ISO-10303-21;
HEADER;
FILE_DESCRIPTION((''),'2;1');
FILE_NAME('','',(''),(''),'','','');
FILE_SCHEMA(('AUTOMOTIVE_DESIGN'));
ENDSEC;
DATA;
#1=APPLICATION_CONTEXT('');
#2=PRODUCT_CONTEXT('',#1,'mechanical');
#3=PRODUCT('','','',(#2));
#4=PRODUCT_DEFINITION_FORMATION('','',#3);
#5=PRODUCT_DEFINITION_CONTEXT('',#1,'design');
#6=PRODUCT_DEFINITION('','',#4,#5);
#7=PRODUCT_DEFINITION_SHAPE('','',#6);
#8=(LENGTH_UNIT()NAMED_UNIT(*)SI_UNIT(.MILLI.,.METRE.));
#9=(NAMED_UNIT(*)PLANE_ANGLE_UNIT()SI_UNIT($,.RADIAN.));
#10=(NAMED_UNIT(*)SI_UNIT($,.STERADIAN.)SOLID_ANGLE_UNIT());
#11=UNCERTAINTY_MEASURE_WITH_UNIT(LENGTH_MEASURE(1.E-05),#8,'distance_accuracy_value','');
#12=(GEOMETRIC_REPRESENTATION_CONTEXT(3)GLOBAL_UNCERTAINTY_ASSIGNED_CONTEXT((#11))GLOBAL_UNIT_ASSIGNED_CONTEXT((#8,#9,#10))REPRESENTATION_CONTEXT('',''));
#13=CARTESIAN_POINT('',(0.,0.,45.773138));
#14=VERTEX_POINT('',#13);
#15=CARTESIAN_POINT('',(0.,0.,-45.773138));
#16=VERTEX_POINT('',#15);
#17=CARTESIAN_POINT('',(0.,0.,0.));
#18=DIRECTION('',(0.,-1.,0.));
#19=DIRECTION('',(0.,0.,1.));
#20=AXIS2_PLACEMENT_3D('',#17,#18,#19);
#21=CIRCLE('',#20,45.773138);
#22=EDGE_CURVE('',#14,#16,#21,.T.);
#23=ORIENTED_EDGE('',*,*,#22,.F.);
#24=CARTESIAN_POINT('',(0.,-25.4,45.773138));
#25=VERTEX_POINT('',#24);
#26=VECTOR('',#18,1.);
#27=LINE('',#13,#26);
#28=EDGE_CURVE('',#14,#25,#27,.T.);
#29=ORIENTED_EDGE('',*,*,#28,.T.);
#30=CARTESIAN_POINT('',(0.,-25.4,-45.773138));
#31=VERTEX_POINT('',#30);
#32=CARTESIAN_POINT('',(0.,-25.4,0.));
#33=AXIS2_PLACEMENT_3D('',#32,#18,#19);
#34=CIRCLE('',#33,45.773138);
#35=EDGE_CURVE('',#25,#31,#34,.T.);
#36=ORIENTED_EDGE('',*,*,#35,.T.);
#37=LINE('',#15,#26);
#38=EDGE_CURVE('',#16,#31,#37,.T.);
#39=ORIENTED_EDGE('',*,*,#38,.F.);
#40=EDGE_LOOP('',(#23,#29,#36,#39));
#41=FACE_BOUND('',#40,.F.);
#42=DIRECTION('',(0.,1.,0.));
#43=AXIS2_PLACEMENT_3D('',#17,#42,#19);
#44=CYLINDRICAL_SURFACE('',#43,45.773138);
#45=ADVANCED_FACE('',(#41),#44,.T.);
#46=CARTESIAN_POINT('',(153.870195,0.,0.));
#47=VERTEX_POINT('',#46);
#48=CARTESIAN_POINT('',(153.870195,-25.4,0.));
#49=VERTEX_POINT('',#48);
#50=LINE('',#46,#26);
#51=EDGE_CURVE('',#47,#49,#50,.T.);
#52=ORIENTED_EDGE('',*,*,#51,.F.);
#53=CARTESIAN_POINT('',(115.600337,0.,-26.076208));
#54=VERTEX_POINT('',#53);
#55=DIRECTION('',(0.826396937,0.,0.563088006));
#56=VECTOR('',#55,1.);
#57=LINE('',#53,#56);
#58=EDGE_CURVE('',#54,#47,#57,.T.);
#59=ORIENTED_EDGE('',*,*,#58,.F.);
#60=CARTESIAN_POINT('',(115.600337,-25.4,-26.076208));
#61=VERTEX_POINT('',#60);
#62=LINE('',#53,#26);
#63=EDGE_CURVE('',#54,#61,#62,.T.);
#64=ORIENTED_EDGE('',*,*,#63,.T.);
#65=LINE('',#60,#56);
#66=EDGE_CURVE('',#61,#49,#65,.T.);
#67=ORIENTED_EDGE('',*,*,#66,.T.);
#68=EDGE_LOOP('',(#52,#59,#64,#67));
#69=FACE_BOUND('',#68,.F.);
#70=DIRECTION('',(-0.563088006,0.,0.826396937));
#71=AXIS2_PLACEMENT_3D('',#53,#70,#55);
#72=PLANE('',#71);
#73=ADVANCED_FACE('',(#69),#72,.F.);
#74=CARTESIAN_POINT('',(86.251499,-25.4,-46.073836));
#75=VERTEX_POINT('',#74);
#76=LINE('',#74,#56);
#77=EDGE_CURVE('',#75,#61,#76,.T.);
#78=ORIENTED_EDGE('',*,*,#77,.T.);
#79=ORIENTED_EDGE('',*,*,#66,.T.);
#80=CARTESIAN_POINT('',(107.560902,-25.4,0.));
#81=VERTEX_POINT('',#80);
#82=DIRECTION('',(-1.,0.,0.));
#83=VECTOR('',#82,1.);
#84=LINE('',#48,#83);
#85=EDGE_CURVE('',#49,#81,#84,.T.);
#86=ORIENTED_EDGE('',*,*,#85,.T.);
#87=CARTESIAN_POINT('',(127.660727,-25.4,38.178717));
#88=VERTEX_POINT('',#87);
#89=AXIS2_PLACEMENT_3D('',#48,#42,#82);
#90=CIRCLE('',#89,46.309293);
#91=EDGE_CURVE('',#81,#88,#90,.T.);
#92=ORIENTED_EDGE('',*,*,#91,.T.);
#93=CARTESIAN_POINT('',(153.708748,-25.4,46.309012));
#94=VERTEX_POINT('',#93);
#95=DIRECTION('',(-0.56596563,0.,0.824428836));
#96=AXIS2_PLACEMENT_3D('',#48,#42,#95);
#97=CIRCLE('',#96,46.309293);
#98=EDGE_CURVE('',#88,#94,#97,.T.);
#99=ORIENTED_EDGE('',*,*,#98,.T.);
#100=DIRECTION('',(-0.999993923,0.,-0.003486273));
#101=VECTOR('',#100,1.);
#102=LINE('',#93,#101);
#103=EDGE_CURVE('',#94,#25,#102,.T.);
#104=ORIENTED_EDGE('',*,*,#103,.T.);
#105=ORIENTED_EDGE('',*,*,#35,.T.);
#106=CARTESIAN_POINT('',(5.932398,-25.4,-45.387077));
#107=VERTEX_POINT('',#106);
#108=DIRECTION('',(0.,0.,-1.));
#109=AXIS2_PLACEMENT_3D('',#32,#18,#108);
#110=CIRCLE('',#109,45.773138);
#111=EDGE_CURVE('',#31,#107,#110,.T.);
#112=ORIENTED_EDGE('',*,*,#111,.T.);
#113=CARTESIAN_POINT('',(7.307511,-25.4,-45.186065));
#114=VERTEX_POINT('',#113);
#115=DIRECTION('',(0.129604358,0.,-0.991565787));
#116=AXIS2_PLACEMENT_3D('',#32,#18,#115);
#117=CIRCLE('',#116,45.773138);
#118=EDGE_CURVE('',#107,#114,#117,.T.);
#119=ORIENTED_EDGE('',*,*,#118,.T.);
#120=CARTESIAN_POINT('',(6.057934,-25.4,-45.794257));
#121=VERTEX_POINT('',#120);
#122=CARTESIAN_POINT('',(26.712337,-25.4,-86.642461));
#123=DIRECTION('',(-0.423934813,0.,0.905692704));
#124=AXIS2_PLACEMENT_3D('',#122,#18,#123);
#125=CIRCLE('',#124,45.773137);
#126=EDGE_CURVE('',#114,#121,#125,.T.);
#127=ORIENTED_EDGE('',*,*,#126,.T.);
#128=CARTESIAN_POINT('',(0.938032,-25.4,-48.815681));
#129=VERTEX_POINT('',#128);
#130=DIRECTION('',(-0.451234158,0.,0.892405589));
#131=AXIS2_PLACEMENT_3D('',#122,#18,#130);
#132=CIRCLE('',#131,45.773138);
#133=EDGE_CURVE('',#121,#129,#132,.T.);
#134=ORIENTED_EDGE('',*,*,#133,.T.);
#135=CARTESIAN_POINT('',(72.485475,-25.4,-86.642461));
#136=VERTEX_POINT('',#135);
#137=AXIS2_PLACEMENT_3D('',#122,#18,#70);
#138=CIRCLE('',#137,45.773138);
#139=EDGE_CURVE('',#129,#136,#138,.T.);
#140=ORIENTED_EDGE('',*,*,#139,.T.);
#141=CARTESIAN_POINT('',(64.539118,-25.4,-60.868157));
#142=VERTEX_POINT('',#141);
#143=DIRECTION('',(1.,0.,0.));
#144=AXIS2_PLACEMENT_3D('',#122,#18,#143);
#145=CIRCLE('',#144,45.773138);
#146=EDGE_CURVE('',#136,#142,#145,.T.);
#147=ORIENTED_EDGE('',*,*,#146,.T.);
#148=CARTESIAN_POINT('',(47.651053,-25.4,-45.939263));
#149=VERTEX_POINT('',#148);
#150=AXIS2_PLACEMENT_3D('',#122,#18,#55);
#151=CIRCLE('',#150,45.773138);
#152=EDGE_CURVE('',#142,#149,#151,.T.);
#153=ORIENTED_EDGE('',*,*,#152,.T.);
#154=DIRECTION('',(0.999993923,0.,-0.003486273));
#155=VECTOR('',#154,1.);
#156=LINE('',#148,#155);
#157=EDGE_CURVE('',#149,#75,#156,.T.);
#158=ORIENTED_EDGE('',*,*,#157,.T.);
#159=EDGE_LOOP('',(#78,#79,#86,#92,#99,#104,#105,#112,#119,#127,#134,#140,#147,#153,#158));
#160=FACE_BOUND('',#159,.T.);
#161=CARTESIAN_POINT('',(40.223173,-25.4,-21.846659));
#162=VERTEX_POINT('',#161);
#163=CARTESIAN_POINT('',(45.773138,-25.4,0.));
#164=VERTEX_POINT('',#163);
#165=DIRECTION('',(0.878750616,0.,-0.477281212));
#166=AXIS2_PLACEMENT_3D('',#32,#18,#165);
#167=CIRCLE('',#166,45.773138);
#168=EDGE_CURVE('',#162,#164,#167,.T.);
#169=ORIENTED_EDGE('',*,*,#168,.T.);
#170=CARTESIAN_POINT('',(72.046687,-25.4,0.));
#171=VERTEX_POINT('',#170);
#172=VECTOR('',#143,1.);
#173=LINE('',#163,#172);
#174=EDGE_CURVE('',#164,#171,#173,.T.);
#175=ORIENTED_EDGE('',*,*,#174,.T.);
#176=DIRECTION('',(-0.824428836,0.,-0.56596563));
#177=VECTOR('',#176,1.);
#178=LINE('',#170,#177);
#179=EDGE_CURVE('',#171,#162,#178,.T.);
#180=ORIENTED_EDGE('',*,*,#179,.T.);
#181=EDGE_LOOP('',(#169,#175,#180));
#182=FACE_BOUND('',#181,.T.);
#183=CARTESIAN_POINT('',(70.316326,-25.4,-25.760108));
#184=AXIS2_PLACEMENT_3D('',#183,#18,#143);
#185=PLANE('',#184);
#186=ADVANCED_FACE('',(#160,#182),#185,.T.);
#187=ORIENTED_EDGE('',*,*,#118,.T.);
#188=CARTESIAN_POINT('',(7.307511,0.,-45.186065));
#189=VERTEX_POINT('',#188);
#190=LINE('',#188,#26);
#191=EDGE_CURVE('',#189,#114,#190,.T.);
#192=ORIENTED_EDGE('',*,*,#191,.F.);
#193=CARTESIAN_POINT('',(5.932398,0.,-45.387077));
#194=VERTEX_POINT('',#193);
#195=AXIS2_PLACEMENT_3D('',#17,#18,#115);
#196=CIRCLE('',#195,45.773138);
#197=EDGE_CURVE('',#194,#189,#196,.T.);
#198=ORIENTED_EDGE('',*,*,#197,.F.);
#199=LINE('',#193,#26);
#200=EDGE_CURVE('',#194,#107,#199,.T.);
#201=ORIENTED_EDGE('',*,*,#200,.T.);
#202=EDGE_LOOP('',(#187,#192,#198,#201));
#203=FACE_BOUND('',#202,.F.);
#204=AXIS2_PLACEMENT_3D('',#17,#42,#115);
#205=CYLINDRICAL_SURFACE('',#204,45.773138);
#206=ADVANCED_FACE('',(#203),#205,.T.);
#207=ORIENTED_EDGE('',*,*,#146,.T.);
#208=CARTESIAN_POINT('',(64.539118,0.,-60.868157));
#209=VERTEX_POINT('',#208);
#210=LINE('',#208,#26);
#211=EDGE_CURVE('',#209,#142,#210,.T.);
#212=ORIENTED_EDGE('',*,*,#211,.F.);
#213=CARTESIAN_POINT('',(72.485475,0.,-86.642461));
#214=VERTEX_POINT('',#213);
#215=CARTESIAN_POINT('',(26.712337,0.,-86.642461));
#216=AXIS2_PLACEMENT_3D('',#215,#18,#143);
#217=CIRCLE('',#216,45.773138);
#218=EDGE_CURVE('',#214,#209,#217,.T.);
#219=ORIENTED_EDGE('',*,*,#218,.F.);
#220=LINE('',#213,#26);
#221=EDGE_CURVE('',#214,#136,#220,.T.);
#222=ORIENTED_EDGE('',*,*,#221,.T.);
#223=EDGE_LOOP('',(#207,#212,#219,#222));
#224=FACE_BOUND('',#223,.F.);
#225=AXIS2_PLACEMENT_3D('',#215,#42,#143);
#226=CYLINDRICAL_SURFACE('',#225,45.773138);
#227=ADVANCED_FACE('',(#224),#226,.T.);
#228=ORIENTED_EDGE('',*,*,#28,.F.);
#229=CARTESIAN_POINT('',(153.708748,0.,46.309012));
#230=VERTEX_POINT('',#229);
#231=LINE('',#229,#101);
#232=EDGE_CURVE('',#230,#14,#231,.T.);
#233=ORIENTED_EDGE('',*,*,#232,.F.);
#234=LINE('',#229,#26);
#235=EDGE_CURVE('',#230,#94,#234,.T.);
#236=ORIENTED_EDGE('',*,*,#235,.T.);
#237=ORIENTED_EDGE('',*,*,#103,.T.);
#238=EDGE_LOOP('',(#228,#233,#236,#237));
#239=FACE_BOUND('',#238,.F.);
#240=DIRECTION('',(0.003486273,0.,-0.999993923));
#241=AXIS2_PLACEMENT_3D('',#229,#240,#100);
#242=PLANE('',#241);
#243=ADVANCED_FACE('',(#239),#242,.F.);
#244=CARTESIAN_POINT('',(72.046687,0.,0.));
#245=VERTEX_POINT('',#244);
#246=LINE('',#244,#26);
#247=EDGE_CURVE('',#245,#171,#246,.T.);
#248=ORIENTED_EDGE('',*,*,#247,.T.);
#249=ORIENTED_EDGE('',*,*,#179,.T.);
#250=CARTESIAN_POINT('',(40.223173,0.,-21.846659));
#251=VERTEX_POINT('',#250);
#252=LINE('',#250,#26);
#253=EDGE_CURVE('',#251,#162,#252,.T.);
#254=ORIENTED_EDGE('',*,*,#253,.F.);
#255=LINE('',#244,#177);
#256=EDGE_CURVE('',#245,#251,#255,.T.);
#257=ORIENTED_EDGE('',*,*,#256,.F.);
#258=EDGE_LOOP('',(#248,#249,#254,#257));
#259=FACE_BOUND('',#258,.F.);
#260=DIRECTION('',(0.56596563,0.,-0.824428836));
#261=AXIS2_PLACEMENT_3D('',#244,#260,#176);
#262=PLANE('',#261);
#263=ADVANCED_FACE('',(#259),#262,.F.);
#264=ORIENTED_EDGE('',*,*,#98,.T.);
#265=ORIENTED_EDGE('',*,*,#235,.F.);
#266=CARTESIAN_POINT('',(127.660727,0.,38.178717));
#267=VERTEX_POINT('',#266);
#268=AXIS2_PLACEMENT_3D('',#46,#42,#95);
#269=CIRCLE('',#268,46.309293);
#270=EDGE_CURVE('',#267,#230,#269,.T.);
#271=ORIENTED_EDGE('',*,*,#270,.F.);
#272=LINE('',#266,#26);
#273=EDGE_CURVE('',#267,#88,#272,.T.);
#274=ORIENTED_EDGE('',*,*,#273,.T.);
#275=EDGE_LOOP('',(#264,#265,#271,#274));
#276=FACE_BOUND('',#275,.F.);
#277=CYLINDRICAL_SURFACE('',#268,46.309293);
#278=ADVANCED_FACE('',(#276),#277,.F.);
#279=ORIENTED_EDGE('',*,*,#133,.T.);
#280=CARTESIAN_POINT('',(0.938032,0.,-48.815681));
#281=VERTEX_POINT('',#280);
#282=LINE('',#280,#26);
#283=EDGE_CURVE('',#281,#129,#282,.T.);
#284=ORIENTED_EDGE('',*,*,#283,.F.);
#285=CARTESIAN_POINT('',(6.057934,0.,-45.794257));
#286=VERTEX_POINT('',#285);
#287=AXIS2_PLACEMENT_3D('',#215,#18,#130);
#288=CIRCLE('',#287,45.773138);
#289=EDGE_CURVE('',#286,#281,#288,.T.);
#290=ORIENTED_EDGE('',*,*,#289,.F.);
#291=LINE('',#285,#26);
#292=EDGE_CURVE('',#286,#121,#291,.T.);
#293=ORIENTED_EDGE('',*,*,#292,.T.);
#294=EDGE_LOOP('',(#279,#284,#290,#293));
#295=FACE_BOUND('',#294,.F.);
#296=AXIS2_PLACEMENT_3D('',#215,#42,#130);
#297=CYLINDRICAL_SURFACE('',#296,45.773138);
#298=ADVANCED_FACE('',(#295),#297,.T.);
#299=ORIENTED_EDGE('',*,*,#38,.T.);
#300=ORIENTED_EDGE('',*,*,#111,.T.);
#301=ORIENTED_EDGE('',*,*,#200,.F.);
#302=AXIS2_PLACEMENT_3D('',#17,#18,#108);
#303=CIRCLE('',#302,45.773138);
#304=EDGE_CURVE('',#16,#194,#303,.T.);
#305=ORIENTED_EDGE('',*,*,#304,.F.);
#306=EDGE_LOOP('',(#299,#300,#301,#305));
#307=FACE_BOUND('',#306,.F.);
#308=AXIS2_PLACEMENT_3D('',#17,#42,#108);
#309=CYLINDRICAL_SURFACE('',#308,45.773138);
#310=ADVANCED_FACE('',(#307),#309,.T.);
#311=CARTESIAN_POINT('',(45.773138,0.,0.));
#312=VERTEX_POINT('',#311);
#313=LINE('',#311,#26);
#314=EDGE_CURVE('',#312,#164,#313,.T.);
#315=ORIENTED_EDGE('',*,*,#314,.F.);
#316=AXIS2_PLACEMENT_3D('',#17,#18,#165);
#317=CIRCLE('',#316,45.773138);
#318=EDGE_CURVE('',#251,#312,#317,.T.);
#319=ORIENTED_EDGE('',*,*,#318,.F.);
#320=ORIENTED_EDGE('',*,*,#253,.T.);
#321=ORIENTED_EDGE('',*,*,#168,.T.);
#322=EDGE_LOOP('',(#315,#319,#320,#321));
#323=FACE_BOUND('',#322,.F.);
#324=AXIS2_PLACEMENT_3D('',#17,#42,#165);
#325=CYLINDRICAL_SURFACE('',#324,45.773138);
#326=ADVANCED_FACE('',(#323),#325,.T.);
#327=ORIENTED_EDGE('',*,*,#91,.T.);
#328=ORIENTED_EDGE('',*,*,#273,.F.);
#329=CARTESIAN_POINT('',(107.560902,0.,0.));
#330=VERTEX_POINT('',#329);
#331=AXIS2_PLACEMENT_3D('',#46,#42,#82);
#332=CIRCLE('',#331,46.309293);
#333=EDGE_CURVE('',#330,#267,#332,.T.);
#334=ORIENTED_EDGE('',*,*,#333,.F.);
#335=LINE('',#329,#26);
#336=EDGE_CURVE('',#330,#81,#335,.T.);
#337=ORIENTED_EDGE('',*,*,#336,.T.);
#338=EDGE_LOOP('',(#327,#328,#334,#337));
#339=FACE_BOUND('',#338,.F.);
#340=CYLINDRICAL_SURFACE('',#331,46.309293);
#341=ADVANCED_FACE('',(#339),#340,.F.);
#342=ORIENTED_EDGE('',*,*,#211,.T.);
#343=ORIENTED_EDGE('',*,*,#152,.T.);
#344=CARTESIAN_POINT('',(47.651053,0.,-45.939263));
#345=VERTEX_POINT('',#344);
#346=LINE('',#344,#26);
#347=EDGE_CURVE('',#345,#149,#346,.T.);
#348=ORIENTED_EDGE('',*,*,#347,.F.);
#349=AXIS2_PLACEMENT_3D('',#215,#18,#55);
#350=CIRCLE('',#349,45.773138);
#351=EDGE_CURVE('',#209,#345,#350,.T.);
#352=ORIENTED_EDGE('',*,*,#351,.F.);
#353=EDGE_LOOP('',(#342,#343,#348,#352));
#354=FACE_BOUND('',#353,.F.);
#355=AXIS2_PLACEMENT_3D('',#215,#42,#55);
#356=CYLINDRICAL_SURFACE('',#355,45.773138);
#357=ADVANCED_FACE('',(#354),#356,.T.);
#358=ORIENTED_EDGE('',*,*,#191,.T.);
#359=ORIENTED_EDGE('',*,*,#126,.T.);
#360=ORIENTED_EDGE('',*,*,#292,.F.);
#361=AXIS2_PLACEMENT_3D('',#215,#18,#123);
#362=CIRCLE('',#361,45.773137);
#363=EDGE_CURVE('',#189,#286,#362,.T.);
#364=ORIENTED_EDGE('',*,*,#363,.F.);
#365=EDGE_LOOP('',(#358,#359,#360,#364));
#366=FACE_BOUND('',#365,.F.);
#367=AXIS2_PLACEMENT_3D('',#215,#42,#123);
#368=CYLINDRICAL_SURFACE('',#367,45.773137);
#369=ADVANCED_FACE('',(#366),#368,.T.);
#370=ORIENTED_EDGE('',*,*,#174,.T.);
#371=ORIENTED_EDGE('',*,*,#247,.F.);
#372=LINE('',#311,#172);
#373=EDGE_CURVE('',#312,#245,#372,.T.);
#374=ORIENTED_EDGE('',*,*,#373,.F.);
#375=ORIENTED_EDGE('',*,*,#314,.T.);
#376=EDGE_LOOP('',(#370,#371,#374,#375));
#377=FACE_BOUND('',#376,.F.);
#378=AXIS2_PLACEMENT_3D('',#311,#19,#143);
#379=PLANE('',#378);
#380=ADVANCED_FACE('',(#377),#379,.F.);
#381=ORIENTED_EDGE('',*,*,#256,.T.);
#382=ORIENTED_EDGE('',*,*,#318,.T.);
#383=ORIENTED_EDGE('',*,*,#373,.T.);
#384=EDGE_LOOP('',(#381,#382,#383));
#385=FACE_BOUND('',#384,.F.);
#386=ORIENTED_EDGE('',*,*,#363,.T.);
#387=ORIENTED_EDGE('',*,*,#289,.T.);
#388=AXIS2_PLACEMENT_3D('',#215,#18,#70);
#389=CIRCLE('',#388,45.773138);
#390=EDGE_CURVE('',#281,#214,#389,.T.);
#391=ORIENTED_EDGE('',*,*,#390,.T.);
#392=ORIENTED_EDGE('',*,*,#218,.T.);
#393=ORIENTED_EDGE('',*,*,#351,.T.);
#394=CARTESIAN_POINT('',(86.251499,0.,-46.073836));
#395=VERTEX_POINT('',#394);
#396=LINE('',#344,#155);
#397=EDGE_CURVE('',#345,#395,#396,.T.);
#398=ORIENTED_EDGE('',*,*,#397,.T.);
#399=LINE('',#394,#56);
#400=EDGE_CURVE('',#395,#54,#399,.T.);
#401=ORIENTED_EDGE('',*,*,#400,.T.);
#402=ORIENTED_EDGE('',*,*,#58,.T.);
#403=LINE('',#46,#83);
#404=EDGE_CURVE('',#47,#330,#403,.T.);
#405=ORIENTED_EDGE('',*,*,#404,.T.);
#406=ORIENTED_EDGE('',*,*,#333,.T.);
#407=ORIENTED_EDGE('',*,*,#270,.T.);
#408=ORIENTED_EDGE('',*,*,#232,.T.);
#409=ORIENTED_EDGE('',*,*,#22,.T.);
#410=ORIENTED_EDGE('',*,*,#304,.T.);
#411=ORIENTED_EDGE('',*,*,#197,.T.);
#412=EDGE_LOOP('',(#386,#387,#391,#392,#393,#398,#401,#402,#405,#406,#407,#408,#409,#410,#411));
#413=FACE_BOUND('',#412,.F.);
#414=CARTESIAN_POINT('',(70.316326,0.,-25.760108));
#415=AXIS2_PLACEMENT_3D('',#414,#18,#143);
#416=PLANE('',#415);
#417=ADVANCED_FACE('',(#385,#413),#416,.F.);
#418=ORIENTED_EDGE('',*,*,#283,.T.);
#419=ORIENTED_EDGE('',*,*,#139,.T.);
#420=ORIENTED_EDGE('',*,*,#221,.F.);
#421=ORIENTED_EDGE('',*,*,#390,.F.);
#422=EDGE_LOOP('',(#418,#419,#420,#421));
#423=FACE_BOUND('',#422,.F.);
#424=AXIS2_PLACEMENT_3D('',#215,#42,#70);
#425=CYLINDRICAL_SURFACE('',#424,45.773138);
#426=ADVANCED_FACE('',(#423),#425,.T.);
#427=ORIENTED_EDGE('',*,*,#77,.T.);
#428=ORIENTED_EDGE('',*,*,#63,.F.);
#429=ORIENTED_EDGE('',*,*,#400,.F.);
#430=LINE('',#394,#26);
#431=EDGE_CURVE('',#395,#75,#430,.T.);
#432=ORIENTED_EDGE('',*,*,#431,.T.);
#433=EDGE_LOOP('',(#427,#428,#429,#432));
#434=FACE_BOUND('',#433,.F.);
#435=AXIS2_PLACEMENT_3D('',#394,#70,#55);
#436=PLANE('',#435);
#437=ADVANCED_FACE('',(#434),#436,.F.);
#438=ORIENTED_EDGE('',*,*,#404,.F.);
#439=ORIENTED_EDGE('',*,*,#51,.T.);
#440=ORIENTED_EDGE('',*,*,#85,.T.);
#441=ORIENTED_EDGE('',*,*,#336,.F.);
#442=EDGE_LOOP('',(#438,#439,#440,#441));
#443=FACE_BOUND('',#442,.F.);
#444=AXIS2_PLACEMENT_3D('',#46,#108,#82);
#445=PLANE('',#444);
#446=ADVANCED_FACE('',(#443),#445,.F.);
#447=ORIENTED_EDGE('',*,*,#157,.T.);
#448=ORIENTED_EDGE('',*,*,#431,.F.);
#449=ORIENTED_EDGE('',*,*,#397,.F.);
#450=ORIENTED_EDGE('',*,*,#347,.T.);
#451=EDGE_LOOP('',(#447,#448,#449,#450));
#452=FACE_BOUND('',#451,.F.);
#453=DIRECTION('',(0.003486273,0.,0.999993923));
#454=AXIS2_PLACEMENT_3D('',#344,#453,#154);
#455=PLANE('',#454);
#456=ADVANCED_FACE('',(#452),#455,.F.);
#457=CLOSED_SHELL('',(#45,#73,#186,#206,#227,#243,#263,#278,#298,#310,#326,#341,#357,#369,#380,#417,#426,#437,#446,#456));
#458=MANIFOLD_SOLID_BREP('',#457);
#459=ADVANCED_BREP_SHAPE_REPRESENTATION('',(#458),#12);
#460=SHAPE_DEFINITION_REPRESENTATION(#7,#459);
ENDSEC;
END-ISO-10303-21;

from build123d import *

# Parameters (mm, degrees)
F1_DEPTH = 25.4


with BuildPart() as f1:
    # F0 (on Front) → F1 (new body)
    with BuildSketch(Plane.XZ):
        with BuildLine():
            Line((72.0466873491, 0), (40.2231729678, -21.8466586519))
            ThreePointArc((40.2231729678, -21.8466586519), (31.3848696272, -33.3192151219), (19.4048266012, -41.4563968819))
            ThreePointArc((19.4048266012, -41.4563968819), (33.8870469148, -41.4351204215), (47.6510526714, -45.9392633402))
            Line((47.6510526714, -45.9392633402), (86.2514989391, -46.0738358679))
            Line((86.2514989391, -46.0738358679), (115.6003371528, -26.0762075411))
            ThreePointArc((115.6003371528, -26.0762075411), (109.6163777827, -13.6436900901), (107.560902013, 0))
            Line((107.560902013, 0), (72.0466873491, 0))
        make_face()
        with BuildLine():
            Line((127.6607268874, 38.1787166397), (72.0466873491, 0))
            Line((72.0466873491, 0), (107.560902013, 0))
            ThreePointArc((107.560902013, 0), (112.8928076077, 21.5732320494), (127.6607268874, 38.1787166397))
        make_face()
        with BuildLine():
            ThreePointArc((47.6510526714, -45.9392633402), (33.8870469148, -41.4351204215), (19.4048266012, -41.4563968819))
            ThreePointArc((19.4048266012, -41.4563968819), (13.4857274503, -43.7414596577), (7.3075106005, -45.1860645185))
            ThreePointArc((7.3075106005, -45.1860645185), (6.6804139573, -45.4854183946), (6.0579339451, -45.7942574747))
            Line((6.0579339451, -45.7942574747), (47.6510526714, -45.9392633402))
        make_face()
        with BuildLine():
            ThreePointArc((64.5391180148, -60.8681565374), (57.0284030969, -52.3479095519), (47.6510526714, -45.9392633402))
            Line((47.6510526714, -45.9392633402), (6.0579339451, -45.7942574747))
            ThreePointArc((6.0579339451, -45.7942574747), (3.4488790791, -47.2217605692), (0.9380323387, -48.8156805874))
            ThreePointArc((0.9380323387, -48.8156805874), (-11.1144436113, -112.4167662635), (52.4866420648, -124.4692422135))
            ThreePointArc((52.4866420648, -124.4692422135), (67.1780692741, -108.036494814), (72.4854749339, -86.6424614004))
            ThreePointArc((72.4854749339, -86.6424614004), (70.4537968594, -73.1567339501), (64.5391180148, -60.8681565374))
        make_face()
        with BuildLine():
            Line((153.8701951504, 0), (107.560902013, 0))
            ThreePointArc((107.560902013, 0), (109.6163777827, -13.6436900901), (115.6003371528, -26.0762075411))
            Line((115.6003371528, -26.0762075411), (153.8701951504, 0))
        make_face()
        with BuildLine():
            ThreePointArc((40.2231729678, -21.8466586519), (44.3639548177, -11.2702994984), (45.7731377322, 0))
            ThreePointArc((45.7731377322, 0), (32.3664960866, 32.3664960866), (0, 45.7731377322))
            ThreePointArc((0, 45.7731377322), (-45.7731377322, 0), (0, -45.7731377322))
            ThreePointArc((0, -45.7731377322), (2.9724733003, -45.676520668), (5.932398121, -45.3870773501))
            Line((5.932398121, -45.3870773501), (40.2231729678, -21.8466586519))
        make_face()
        with BuildLine():
            ThreePointArc((0, 45.7731377322), (32.3664960866, 32.3664960866), (45.7731377322, 0))
            Line((45.7731377322, 0), (72.0466873491, 0))
            Line((72.0466873491, 0), (127.6607268874, 38.1787166397))
            ThreePointArc((127.6607268874, 38.1787166397), (140.0723070667, 44.2059828), (153.7087482925, 46.3090117126))
            Line((153.7087482925, 46.3090117126), (0, 45.7731377322))
        make_face()
        with BuildLine():
            ThreePointArc((19.4048266012, -41.4563968819), (31.3848696272, -33.3192151219), (40.2231729678, -21.8466586519))
            Line((40.2231729678, -21.8466586519), (5.932398121, -45.3870773501))
            ThreePointArc((5.932398121, -45.3870773501), (6.6207172783, -45.2917899908), (7.3075106005, -45.1860645185))
            ThreePointArc((7.3075106005, -45.1860645185), (13.2266097514, -42.9010017427), (19.4048266012, -41.4563968819))
        make_face()
        with BuildLine():
            ThreePointArc((7.3075106005, -45.1860645185), (13.4857274503, -43.7414596577), (19.4048266012, -41.4563968819))
            ThreePointArc((19.4048266012, -41.4563968819), (13.2266097514, -42.9010017427), (7.3075106005, -45.1860645185))
        make_face()
    extrude(amount=F1_DEPTH)


solid = f1.part
